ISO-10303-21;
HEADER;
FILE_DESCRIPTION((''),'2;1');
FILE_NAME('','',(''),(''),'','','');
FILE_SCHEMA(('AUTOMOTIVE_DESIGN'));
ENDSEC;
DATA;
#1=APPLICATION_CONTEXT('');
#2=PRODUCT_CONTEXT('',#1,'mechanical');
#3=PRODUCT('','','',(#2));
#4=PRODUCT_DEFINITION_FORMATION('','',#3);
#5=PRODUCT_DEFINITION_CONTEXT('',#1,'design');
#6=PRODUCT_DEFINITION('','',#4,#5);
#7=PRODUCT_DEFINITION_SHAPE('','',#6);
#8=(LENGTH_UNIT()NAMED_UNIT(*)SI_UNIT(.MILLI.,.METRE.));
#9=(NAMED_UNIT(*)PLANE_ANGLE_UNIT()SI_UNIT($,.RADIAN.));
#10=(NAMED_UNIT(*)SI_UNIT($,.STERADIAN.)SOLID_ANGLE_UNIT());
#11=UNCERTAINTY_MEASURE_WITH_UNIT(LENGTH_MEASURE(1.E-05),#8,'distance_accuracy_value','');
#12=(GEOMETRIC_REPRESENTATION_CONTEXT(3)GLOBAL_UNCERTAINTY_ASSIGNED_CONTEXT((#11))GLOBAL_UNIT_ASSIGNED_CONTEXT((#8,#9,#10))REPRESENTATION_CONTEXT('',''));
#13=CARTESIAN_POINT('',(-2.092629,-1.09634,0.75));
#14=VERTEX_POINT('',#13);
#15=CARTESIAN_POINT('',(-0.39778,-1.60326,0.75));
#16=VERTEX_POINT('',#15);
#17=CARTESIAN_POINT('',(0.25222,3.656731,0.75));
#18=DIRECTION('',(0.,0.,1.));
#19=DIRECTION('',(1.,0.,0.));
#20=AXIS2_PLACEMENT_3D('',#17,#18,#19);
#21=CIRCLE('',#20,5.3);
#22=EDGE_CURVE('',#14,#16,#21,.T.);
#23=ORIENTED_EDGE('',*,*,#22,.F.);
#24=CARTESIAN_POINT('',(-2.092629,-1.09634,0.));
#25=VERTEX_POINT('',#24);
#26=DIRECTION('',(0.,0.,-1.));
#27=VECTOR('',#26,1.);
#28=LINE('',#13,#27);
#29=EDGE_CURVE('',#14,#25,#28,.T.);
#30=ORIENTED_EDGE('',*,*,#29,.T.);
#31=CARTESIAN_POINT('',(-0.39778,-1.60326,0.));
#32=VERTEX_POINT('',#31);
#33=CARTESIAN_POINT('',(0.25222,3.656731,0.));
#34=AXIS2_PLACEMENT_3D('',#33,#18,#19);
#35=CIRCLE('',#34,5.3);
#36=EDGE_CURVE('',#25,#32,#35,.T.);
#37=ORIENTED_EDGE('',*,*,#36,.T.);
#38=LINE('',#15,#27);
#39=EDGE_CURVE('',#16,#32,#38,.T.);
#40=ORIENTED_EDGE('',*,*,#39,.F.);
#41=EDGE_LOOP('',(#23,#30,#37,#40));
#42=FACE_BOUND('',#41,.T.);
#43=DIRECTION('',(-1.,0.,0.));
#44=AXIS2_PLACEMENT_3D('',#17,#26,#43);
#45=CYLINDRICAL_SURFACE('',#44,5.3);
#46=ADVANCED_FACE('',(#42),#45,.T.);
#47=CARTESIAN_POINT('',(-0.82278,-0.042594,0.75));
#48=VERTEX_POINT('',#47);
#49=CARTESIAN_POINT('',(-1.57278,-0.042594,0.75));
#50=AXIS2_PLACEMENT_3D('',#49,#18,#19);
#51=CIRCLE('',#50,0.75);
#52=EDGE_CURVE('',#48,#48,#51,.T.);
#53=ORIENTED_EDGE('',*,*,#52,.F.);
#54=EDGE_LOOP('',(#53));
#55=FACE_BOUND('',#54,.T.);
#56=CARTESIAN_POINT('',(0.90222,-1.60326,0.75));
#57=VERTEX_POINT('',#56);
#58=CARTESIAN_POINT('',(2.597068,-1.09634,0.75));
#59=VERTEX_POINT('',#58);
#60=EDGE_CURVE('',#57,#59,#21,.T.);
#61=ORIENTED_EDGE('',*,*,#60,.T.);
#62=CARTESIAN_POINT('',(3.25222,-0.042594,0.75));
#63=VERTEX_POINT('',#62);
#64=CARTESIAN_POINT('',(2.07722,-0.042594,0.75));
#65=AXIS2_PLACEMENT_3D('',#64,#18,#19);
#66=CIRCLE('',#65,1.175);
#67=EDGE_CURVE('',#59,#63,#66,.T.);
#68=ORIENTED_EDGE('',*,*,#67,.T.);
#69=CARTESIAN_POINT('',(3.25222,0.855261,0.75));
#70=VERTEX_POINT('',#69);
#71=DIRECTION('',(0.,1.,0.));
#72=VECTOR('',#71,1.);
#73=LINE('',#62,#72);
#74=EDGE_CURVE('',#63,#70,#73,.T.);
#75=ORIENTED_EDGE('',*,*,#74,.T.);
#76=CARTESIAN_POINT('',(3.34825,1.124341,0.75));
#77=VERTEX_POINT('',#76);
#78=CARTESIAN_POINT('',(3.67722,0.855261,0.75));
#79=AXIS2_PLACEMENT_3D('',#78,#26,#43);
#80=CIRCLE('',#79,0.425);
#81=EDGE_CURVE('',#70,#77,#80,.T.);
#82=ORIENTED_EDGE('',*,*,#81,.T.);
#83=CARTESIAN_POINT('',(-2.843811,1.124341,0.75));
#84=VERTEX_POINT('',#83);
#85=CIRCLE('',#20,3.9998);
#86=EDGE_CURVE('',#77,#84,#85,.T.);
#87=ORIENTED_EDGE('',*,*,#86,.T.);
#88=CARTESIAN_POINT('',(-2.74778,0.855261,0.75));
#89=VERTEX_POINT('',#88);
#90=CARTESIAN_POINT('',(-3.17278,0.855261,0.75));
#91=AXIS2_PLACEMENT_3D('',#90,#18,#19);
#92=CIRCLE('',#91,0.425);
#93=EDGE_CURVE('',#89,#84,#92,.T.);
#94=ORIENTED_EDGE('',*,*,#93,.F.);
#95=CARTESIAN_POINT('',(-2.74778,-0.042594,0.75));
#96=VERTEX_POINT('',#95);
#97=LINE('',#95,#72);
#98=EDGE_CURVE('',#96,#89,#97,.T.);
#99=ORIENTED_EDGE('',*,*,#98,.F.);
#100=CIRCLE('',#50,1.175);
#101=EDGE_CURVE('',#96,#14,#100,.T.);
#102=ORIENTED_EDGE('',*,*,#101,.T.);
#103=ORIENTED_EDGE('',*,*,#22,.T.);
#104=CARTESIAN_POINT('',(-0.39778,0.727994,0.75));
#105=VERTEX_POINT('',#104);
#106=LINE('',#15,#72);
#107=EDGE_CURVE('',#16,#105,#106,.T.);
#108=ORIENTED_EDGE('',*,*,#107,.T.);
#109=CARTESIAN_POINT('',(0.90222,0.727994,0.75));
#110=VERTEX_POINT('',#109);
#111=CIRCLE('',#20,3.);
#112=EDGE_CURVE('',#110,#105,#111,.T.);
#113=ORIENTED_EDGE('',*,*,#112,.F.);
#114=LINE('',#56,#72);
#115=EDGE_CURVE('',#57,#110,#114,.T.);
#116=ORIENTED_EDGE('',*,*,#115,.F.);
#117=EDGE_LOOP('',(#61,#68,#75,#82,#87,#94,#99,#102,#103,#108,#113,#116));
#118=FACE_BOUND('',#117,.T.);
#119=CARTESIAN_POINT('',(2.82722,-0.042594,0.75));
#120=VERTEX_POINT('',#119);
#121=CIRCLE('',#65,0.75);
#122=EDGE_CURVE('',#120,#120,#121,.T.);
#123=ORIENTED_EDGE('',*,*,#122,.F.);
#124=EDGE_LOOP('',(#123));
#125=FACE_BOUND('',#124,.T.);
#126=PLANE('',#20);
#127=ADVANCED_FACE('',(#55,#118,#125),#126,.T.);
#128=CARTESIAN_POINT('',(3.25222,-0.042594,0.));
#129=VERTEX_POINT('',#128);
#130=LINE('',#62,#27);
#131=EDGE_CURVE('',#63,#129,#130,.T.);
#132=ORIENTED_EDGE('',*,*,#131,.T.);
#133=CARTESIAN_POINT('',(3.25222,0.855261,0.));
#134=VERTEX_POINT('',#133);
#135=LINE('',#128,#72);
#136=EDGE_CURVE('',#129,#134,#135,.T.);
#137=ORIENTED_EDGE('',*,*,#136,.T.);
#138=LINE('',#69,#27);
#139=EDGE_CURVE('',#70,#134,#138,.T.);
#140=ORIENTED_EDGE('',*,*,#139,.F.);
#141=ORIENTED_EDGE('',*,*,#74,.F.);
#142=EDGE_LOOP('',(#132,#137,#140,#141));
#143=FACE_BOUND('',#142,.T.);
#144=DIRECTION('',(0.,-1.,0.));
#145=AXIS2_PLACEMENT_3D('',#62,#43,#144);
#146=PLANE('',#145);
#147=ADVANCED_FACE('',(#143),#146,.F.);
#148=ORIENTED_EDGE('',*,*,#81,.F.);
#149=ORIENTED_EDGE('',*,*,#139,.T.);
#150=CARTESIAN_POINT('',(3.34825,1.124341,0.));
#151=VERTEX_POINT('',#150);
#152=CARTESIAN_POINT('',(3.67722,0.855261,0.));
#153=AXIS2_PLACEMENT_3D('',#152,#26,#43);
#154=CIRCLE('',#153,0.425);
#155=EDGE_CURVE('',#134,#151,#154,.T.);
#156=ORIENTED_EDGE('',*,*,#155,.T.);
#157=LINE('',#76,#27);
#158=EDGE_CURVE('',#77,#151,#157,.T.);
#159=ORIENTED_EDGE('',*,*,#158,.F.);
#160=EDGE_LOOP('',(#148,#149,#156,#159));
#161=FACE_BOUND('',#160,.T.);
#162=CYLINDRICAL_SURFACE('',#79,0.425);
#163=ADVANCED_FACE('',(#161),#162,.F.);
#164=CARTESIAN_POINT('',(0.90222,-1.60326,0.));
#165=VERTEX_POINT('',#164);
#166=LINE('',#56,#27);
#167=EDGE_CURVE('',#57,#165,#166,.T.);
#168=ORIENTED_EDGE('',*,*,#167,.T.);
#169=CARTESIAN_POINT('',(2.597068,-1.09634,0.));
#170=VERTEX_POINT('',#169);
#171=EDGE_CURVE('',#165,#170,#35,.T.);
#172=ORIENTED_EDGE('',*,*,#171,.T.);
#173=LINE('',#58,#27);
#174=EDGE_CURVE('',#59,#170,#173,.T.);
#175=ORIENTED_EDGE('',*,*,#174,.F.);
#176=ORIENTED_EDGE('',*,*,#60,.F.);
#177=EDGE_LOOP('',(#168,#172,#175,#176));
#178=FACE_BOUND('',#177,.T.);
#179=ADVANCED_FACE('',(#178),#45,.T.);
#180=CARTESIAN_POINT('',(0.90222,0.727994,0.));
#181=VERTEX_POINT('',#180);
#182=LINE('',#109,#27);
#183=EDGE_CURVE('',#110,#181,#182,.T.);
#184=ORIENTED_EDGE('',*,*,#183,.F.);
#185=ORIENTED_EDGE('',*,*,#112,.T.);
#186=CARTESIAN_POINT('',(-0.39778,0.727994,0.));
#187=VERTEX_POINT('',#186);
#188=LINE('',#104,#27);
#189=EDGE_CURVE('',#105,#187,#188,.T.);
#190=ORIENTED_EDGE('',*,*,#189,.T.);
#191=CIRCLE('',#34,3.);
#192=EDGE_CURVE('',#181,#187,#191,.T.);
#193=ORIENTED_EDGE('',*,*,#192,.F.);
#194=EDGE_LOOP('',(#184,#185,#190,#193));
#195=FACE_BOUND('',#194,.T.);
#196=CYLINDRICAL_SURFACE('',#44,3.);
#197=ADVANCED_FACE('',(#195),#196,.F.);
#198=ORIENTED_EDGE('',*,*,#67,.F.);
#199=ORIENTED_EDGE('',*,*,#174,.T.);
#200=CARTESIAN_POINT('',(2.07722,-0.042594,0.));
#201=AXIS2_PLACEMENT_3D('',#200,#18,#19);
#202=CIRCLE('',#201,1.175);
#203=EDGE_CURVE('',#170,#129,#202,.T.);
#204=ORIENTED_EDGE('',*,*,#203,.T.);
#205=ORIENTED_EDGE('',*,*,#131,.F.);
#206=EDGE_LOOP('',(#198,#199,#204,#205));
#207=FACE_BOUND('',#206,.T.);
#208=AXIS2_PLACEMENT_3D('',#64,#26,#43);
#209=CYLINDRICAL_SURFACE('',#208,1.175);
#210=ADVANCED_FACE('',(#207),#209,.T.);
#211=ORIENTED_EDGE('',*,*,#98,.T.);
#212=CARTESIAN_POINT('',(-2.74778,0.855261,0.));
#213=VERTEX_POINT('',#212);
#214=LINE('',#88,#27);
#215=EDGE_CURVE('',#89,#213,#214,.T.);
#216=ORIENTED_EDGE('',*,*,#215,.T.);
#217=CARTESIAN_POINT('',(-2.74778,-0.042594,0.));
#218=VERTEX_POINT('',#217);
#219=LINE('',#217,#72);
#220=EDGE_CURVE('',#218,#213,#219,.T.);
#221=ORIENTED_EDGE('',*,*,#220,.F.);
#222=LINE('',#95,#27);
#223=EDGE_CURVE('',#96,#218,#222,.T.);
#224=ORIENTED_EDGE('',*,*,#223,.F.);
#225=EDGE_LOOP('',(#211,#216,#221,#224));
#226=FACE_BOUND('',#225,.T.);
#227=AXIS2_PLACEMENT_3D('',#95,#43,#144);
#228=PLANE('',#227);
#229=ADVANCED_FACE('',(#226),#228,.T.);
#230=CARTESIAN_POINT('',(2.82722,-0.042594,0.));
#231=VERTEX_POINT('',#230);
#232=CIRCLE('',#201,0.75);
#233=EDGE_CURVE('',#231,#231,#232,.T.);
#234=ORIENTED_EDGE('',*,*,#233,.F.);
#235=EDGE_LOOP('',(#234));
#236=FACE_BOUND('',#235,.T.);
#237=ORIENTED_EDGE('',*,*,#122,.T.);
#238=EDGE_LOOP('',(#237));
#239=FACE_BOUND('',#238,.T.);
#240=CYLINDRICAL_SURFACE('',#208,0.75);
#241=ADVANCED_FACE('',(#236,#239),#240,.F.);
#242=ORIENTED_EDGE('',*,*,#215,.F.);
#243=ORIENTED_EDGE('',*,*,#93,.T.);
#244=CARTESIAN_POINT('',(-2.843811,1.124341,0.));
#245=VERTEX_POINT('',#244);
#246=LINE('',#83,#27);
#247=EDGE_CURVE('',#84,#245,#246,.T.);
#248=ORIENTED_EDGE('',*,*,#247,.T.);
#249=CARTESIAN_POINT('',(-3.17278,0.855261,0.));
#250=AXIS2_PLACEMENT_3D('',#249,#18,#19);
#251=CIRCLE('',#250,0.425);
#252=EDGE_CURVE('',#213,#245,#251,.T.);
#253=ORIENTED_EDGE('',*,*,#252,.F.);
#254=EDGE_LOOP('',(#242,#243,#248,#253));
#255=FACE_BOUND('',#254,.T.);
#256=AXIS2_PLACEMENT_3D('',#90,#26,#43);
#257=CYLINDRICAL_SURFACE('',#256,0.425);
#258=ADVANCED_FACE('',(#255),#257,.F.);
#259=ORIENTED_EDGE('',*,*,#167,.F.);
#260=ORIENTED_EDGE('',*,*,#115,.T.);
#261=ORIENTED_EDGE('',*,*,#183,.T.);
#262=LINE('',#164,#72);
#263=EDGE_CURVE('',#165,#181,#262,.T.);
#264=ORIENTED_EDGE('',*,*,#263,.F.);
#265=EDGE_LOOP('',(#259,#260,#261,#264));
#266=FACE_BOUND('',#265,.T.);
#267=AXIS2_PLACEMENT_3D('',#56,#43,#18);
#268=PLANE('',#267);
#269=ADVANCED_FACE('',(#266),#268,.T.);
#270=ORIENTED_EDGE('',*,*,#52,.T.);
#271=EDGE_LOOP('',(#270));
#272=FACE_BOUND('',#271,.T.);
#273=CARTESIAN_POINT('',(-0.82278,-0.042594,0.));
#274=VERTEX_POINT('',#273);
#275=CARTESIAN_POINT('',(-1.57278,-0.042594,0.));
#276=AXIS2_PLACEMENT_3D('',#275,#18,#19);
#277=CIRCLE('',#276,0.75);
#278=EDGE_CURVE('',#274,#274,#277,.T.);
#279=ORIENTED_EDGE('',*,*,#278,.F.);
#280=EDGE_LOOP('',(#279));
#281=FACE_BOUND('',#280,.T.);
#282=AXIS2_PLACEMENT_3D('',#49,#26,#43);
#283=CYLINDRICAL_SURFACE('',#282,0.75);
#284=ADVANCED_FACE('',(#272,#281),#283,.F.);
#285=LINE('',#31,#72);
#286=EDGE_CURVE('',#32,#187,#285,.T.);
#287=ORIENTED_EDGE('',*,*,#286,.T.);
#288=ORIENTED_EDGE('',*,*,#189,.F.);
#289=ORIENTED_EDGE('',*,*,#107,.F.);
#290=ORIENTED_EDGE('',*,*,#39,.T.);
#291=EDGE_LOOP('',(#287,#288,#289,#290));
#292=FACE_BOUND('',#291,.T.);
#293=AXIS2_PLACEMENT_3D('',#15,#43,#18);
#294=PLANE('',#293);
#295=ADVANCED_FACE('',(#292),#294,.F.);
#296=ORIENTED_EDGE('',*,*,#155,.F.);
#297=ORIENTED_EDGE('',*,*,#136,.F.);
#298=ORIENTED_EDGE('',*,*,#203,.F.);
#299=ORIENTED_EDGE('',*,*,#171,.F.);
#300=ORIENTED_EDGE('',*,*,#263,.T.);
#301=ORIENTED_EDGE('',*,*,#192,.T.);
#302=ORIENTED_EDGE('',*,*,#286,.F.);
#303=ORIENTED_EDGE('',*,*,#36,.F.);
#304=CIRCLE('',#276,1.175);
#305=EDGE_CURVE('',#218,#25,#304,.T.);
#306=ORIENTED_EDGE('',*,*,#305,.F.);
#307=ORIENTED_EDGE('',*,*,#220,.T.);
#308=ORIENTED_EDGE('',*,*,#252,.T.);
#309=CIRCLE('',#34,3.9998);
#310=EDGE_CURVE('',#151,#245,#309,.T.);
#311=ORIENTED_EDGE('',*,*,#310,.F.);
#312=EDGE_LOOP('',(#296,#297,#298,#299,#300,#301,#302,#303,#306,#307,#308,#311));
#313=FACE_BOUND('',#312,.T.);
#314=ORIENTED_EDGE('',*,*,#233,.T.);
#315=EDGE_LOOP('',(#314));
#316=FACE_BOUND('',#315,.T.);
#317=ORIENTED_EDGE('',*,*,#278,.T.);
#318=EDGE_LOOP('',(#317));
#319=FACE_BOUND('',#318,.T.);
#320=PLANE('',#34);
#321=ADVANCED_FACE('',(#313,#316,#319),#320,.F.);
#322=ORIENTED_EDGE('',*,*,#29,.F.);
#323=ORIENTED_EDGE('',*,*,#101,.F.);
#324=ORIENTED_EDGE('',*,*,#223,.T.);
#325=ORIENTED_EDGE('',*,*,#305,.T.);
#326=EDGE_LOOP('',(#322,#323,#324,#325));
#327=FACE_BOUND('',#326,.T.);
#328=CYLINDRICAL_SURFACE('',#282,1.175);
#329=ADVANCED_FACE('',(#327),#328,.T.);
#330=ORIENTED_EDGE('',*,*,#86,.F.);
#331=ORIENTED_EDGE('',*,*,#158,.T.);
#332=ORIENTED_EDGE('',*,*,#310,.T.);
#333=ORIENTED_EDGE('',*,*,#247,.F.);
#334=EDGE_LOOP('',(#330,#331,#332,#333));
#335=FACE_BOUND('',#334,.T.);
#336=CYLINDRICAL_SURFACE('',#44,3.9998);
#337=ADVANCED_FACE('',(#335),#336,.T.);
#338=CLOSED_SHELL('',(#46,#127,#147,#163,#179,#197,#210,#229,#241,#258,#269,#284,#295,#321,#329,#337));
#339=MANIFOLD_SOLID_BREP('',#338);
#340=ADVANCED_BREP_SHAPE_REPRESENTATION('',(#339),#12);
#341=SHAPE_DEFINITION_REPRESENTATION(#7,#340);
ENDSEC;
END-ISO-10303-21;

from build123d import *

# Parameters (mm, degrees)
ESQUISSE1_R          = 0.75
BASE_EXTRUSION_DEPTH = 0.75


with BuildPart() as part:
    # Esquisse1 → Base-Extrusion (new body)
    with BuildSketch(Plane.XY):
        with BuildLine():
            Line((-0.397780374, -1.603259809), (-0.397780374, 0.727993756))
            ThreePointArc((-0.397780374, 0.727993756), (0.252219626, 6.656730686), (0.902219626, 0.727993756))
            Line((0.902219626, 0.727993756), (0.902219626, -1.603259809))
            ThreePointArc((0.902219626, -1.603259809), (1.770943156, -1.421012793), (2.597068111, -1.096340488))
            ThreePointArc((2.597068111, -1.096340488), (3.075079078, -0.662997893), (3.252219626, -0.042593577))
            Line((3.252219626, -0.042593577), (3.252219626, 0.855261182))
            ThreePointArc((3.252219626, 0.855261182), (3.276946529, 0.998112319), (3.348249966, 1.124341027))
            ThreePointArc((3.348249966, 1.124341027), (0.252219626, 7.656530837), (-2.843810714, 1.124341027))
            ThreePointArc((-2.843810714, 1.124341027), (-2.772507276, 0.998112319), (-2.747780374, 0.855261182))
            Line((-2.747780374, 0.855261182), (-2.747780374, -0.042593577))
            ThreePointArc((-2.747780374, -0.042593577), (-2.570639825, -0.662997893), (-2.092628859, -1.096340488))
            ThreePointArc((-2.092628859, -1.096340488), (-1.266503904, -1.421012793), (-0.397780374, -1.603259809))
        make_face()
        with Locations((-1.572780374, -0.042593577)):
            Circle(ESQUISSE1_R, mode=Mode.SUBTRACT)
        with Locations((2.077219626, -0.042593577)):
            Circle(ESQUISSE1_R, mode=Mode.SUBTRACT)
    extrude(amount=BASE_EXTRUSION_DEPTH)


solid = part.part
